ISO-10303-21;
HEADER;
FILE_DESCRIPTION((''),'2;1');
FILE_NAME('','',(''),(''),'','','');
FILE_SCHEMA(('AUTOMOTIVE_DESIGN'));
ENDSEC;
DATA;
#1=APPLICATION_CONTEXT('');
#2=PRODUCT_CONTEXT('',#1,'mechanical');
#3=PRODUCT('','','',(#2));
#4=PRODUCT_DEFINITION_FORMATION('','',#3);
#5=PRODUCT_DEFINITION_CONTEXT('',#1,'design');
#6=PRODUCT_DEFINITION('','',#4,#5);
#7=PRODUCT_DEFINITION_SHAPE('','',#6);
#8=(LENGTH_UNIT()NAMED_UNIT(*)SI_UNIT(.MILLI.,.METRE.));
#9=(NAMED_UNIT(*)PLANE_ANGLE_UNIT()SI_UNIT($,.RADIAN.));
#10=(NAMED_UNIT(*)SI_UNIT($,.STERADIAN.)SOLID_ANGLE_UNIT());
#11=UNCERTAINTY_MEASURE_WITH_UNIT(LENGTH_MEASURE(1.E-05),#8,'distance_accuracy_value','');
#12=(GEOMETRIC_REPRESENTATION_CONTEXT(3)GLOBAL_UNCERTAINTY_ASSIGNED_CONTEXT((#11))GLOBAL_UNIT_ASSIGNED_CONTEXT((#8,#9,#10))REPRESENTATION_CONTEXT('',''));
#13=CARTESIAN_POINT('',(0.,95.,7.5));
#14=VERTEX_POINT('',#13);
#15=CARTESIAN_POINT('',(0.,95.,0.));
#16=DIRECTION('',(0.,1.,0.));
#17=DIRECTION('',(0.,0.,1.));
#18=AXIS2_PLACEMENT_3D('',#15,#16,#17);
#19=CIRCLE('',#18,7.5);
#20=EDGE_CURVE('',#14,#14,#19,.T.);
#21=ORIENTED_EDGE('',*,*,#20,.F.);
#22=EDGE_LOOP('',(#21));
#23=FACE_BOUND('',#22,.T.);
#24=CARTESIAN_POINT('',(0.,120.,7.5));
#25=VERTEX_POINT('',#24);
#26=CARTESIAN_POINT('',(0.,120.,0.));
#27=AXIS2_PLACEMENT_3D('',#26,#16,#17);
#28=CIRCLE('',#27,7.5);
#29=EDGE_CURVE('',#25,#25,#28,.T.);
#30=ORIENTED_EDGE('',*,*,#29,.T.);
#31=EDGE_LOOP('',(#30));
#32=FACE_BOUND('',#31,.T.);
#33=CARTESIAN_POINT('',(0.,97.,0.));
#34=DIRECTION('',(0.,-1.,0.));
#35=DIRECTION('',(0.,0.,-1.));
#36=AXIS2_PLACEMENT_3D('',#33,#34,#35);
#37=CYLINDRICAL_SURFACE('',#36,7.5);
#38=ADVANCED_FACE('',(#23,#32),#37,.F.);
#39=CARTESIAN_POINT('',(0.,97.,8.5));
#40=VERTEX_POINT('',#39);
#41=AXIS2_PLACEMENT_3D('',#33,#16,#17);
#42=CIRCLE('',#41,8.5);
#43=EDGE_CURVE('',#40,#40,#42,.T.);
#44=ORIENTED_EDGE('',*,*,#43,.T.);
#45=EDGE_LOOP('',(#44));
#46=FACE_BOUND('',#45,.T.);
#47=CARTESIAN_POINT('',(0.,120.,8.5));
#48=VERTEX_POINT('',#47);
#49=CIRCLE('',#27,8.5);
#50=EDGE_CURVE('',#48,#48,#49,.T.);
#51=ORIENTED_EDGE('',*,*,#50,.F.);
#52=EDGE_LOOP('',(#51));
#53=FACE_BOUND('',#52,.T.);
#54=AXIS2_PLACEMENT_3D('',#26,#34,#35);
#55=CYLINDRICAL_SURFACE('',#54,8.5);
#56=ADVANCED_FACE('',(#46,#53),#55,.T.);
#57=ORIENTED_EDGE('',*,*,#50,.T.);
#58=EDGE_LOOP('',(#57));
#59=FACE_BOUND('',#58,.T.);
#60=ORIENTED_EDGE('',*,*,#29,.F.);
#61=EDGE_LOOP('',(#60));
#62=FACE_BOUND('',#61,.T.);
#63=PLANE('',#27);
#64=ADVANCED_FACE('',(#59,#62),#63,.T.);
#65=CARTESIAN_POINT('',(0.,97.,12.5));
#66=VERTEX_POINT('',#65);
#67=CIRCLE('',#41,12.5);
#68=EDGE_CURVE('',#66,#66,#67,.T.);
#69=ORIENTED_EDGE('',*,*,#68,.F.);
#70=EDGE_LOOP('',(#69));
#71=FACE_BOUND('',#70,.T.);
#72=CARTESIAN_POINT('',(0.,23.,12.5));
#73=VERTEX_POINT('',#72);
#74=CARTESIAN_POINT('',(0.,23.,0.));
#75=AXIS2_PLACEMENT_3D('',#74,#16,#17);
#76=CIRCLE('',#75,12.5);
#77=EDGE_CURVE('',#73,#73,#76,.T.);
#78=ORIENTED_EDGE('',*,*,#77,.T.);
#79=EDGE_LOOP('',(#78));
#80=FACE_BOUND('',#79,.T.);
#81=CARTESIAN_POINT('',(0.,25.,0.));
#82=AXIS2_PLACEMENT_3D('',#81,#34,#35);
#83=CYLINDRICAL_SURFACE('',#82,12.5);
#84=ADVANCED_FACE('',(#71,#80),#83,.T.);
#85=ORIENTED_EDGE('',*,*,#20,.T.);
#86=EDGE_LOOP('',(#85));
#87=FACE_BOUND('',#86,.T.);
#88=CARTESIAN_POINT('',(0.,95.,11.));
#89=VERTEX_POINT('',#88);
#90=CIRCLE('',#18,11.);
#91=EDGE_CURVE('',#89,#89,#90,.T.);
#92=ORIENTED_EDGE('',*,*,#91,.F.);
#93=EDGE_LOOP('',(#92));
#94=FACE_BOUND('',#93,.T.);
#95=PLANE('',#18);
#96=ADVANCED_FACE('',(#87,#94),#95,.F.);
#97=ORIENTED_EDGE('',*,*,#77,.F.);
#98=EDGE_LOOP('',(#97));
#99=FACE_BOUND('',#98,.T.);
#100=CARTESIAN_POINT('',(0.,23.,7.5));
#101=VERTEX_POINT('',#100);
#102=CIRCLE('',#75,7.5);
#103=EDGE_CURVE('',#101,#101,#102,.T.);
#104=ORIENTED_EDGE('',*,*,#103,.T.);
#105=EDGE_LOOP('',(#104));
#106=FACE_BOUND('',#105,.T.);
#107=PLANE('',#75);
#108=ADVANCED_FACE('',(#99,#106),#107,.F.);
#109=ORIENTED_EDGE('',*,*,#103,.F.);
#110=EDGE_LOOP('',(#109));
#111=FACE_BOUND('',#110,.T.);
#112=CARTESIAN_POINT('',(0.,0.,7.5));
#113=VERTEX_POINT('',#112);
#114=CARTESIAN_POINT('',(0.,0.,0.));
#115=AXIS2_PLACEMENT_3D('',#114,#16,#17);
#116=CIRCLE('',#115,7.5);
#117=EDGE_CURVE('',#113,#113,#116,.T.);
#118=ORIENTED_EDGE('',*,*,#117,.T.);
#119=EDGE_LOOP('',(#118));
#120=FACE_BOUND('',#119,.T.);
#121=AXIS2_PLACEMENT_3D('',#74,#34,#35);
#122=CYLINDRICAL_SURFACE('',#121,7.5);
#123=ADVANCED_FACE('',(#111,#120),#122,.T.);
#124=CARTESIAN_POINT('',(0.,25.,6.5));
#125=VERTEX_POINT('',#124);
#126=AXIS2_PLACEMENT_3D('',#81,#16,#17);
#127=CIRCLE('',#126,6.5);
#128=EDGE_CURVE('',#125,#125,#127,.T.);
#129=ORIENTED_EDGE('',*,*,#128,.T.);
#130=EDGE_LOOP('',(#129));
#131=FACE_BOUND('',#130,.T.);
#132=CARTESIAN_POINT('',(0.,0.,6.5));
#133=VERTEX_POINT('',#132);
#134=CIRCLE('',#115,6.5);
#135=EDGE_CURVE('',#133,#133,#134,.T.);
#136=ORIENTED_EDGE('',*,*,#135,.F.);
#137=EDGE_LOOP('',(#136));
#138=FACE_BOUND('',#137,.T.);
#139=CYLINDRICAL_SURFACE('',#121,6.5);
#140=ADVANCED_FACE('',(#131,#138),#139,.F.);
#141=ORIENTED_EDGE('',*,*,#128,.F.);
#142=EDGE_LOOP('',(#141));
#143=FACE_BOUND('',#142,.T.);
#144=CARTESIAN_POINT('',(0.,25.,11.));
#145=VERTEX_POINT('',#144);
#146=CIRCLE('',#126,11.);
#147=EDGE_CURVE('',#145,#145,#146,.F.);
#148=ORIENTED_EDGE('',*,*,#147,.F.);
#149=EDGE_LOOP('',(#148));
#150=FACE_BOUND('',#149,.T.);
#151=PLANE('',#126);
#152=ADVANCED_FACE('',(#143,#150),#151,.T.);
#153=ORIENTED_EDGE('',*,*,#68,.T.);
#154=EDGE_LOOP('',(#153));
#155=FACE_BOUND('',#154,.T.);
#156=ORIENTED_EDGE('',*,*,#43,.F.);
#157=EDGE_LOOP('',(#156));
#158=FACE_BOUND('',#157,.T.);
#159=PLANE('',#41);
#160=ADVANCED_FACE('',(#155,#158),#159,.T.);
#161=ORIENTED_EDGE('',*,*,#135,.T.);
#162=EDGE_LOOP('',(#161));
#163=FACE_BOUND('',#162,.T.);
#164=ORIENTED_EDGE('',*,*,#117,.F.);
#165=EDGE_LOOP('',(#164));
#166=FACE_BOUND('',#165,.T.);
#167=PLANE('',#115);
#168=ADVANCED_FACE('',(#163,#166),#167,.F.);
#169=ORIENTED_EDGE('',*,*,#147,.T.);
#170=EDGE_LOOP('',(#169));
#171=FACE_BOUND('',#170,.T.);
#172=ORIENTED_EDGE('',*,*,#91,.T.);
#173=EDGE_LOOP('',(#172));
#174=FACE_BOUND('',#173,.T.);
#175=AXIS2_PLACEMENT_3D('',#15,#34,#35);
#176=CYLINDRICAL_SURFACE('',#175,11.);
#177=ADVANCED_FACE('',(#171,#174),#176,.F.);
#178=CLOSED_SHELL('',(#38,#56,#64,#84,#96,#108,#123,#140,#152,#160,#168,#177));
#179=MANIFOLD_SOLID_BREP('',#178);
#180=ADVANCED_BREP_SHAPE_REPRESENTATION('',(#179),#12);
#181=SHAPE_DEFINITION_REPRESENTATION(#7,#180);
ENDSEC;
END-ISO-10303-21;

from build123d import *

# Parameters (mm, degrees)
SKETCH1_R           = 7.5
SKETCH1_R_2         = 6.5
BOSS_EXTRUDE1_DEPTH = 23
SKETCH2_R           = 12.5
SKETCH2_R_2         = 6.5
BOSS_EXTRUDE2_DEPTH = 2
SKETCH3_R           = 12.5
SKETCH3_R_2         = 11
BOSS_EXTRUDE3_DEPTH = 70
SKETCH4_R           = 12.5
SKETCH4_R_2         = 7.5
BOSS_EXTRUDE4_DEPTH = 2
SKETCH5_R           = 8.5
SKETCH5_R_2         = 7.5
BOSS_EXTRUDE5_DEPTH = 23


with BuildPart() as part:
    # Sketch1 → Boss-Extrude1 (new body)
    with BuildSketch(Plane(origin=(0, 0, 0), x_dir=(1, 0, 0), z_dir=(0, 1, 0))):
        with Locations(Location((0, 0, 0), (0, 0, 270))):
            Circle(SKETCH1_R)
        with Locations(Location((0, 0, 0), (0, 0, 270))):
            Circle(SKETCH1_R_2, mode=Mode.SUBTRACT)
    extrude(amount=BOSS_EXTRUDE1_DEPTH)

    # Sketch2 → Boss-Extrude2 (add)
    with BuildSketch(Plane(origin=(0, 23, 0), x_dir=(1, 0, 0), z_dir=(0, 1, 0))):
        with Locations(Location((0, 0, 0), (0, 0, 270))):
            Circle(SKETCH2_R)
        with Locations(Location((0, 0, 0), (0, 0, 270))):
            Circle(SKETCH2_R_2, mode=Mode.SUBTRACT)
    extrude(amount=BOSS_EXTRUDE2_DEPTH)

    # Sketch3 → Boss-Extrude3 (add)
    with BuildSketch(Plane(origin=(0, 25, 0), x_dir=(1, 0, 0), z_dir=(0, 1, 0))):
        with Locations(Location((0, 0, 0), (0, 0, 270))):
            Circle(SKETCH3_R)
        with Locations(Location((0, 0, 0), (0, 0, 270))):
            Circle(SKETCH3_R_2, mode=Mode.SUBTRACT)
    extrude(amount=BOSS_EXTRUDE3_DEPTH)

    # Sketch4 → Boss-Extrude4 (add)
    with BuildSketch(Plane(origin=(0, 95, 0), x_dir=(1, 0, 0), z_dir=(0, 1, 0))):
        with Locations(Location((0, 0, 0), (0, 0, 270))):
            Circle(SKETCH4_R)
        with Locations(Location((0, 0, 0), (0, 0, 270))):
            Circle(SKETCH4_R_2, mode=Mode.SUBTRACT)
    extrude(amount=BOSS_EXTRUDE4_DEPTH)

    # Sketch5 → Boss-Extrude5 (add)
    with BuildSketch(Plane(origin=(0, 97, 0), x_dir=(1, 0, 0), z_dir=(0, 1, 0))):
        with Locations(Location((0, 0, 0), (0, 0, 270))):
            Circle(SKETCH5_R)
        with Locations(Location((0, 0, 0), (0, 0, 270))):
            Circle(SKETCH5_R_2, mode=Mode.SUBTRACT)
    extrude(amount=BOSS_EXTRUDE5_DEPTH)


solid = part.part
